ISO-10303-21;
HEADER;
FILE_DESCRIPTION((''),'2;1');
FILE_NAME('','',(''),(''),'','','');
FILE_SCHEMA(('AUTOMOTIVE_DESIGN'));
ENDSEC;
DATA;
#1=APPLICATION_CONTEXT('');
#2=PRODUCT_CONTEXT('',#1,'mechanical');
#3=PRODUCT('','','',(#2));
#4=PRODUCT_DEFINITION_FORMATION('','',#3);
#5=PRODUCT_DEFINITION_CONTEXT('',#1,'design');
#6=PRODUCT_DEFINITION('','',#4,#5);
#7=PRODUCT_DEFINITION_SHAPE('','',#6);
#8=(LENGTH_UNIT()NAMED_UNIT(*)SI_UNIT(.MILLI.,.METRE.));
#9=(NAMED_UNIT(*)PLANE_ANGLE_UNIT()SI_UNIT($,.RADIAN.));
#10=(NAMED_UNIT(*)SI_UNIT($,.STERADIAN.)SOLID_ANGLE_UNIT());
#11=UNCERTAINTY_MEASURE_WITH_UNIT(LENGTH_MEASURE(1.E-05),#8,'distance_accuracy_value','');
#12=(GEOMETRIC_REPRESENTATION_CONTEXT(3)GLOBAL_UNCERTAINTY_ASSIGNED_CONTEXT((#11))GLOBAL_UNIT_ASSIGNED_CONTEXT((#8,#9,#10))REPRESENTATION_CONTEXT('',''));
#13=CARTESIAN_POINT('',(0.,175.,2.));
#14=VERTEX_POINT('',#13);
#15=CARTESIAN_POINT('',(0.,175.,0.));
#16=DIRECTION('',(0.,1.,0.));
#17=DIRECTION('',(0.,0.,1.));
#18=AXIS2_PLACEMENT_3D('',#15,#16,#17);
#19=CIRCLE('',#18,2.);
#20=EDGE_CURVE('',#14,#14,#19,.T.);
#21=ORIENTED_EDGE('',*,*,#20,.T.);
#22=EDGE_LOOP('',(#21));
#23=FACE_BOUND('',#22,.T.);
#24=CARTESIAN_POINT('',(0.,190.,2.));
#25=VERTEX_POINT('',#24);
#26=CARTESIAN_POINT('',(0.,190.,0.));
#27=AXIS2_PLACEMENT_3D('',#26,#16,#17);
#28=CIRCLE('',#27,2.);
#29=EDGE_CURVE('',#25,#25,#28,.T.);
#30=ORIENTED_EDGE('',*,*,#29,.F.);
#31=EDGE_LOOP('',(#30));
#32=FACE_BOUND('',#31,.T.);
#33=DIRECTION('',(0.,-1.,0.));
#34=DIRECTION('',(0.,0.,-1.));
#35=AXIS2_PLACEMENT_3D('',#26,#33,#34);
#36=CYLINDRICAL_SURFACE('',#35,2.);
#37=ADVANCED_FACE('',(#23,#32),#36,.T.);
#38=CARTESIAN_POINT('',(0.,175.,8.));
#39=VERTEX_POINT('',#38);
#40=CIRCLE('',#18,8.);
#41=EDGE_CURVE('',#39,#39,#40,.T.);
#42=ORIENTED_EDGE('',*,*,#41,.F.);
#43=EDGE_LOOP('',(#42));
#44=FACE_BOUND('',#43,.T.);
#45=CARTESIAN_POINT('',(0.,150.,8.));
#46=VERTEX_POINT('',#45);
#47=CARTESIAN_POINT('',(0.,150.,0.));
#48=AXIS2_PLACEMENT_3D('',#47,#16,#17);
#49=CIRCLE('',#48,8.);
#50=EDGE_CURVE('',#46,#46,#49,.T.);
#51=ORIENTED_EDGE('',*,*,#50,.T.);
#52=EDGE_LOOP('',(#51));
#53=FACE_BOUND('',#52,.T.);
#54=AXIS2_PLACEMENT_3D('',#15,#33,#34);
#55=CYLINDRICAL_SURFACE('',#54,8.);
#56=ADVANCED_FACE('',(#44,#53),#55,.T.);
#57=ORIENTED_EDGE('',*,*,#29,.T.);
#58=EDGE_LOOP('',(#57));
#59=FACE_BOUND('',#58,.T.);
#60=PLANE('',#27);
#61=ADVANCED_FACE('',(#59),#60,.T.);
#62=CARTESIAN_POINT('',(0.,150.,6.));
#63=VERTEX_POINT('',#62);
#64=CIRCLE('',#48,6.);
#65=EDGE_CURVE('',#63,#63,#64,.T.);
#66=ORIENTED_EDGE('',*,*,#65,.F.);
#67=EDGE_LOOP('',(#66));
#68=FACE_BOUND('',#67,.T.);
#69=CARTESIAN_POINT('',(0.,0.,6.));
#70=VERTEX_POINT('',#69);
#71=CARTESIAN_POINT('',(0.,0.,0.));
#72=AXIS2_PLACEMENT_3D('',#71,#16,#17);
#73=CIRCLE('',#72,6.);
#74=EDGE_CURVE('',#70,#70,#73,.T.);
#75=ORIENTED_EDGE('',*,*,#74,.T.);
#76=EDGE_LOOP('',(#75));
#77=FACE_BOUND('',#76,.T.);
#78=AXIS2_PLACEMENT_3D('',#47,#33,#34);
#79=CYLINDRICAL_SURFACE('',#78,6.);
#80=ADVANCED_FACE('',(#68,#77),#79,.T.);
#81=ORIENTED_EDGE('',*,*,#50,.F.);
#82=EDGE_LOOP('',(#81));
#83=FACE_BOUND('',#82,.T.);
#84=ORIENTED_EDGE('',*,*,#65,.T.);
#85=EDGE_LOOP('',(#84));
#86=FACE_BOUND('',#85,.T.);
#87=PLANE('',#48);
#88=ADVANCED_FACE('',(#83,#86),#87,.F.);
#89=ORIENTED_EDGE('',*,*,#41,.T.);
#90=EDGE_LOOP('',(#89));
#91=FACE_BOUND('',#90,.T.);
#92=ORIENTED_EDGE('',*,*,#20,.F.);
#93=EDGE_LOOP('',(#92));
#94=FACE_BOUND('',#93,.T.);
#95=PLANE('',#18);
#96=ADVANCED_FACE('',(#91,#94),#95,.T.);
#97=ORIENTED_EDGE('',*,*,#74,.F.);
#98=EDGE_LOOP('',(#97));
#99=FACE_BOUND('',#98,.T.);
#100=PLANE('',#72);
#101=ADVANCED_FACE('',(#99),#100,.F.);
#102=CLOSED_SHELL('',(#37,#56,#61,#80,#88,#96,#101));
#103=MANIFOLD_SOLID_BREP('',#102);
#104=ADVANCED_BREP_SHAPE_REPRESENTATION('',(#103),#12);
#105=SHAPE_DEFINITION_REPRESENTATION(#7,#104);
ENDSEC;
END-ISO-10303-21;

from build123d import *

# Parameters (mm, degrees)
SKETCH1_R            = 6
ELECTRODE_BODY_DEPTH = 150
CAP_START            = 150
SKETCH2_R            = 8
CAP_DEPTH            = 25
CABLE_STUB_START     = 175
SKETCH3_R            = 2
CABLE_STUB_DEPTH     = 15
SKETCH4_R            = 2
PLATINUM_TIP_DEPTH   = 1.5


with BuildPart() as part:
    # Sketch1 → Electrode_Body (new body)
    with BuildSketch(Plane(origin=(0, 0, 0), x_dir=(1, 0, 0), z_dir=(0, 1, 0))):
        with Locations(Location((0, 0, 0), (0, 0, 270))):
            Circle(SKETCH1_R)
    extrude(amount=ELECTRODE_BODY_DEPTH)

    # Sketch2 → Cap (add)
    with BuildSketch(Plane(origin=(0, 0, 0), x_dir=(1, 0, 0), z_dir=(0, 1, 0)).offset(CAP_START)):
        with Locations(Location((0, 0, 0), (0, 0, 270))):
            Circle(SKETCH2_R)
    extrude(amount=CAP_DEPTH)

    # Sketch3 → Cable_Stub (add)
    with BuildSketch(Plane(origin=(0, 0, 0), x_dir=(1, 0, 0), z_dir=(0, 1, 0)).offset(CABLE_STUB_START)):
        with Locations(Location((0, 0, 0), (0, 0, 270))):
            Circle(SKETCH3_R)
    extrude(amount=CABLE_STUB_DEPTH)

    # Sketch4 → Platinum_Tip (add)
    with BuildSketch(Plane(origin=(0, 0, 0), x_dir=(1, 0, 0), z_dir=(0, 1, 0))):
        with Locations(Location((0, 0, 0), (0, 0, 270))):
            Circle(SKETCH4_R)
    extrude(amount=PLATINUM_TIP_DEPTH)


solid = part.part
